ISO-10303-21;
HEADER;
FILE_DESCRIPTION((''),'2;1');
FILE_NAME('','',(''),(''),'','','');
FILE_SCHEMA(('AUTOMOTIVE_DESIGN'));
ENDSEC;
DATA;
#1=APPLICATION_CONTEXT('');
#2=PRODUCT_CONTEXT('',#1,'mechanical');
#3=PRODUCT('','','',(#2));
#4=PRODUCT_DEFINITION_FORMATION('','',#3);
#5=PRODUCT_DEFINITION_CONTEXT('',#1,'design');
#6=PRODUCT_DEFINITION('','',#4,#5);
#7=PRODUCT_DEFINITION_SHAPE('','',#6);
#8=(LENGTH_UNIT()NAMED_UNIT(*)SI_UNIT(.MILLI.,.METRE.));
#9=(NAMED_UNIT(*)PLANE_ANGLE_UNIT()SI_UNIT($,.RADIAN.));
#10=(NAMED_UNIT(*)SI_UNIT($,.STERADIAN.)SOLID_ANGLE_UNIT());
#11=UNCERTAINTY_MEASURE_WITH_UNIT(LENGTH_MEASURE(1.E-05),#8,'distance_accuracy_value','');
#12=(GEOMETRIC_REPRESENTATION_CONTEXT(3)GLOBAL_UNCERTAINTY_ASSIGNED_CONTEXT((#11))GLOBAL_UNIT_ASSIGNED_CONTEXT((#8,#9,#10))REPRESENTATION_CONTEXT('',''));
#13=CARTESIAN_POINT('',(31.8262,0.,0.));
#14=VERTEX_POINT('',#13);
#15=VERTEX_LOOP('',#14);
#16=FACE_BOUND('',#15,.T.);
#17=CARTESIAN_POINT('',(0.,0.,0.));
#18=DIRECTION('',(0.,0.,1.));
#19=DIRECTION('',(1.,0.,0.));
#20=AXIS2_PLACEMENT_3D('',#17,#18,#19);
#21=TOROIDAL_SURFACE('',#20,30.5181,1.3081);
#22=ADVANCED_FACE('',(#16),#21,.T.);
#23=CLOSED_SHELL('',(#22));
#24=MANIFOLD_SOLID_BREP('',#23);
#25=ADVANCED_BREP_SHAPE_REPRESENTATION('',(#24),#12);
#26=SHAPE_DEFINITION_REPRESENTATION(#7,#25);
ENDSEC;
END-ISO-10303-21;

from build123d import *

# Parameters (mm, degrees)
SKETCH1_R = 1.3081


with BuildPart() as part:
    # Sketch1 → Revolve1 (revolve)
    with BuildSketch(Plane(origin=(0, 0, 0), x_dir=(0, -1, 0), z_dir=(1, 0, 0)), mode=Mode.PRIVATE) as revolve1_sk:
        with Locations((30.5181, 0)):
            Circle(SKETCH1_R)
    revolve(revolve1_sk.sketch.rotate(Axis((0, 0, 1.3081), (0, 0, -1)), 270), axis=Axis((0, 0, 1.3081), (0, 0, -1)))


solid = part.part
